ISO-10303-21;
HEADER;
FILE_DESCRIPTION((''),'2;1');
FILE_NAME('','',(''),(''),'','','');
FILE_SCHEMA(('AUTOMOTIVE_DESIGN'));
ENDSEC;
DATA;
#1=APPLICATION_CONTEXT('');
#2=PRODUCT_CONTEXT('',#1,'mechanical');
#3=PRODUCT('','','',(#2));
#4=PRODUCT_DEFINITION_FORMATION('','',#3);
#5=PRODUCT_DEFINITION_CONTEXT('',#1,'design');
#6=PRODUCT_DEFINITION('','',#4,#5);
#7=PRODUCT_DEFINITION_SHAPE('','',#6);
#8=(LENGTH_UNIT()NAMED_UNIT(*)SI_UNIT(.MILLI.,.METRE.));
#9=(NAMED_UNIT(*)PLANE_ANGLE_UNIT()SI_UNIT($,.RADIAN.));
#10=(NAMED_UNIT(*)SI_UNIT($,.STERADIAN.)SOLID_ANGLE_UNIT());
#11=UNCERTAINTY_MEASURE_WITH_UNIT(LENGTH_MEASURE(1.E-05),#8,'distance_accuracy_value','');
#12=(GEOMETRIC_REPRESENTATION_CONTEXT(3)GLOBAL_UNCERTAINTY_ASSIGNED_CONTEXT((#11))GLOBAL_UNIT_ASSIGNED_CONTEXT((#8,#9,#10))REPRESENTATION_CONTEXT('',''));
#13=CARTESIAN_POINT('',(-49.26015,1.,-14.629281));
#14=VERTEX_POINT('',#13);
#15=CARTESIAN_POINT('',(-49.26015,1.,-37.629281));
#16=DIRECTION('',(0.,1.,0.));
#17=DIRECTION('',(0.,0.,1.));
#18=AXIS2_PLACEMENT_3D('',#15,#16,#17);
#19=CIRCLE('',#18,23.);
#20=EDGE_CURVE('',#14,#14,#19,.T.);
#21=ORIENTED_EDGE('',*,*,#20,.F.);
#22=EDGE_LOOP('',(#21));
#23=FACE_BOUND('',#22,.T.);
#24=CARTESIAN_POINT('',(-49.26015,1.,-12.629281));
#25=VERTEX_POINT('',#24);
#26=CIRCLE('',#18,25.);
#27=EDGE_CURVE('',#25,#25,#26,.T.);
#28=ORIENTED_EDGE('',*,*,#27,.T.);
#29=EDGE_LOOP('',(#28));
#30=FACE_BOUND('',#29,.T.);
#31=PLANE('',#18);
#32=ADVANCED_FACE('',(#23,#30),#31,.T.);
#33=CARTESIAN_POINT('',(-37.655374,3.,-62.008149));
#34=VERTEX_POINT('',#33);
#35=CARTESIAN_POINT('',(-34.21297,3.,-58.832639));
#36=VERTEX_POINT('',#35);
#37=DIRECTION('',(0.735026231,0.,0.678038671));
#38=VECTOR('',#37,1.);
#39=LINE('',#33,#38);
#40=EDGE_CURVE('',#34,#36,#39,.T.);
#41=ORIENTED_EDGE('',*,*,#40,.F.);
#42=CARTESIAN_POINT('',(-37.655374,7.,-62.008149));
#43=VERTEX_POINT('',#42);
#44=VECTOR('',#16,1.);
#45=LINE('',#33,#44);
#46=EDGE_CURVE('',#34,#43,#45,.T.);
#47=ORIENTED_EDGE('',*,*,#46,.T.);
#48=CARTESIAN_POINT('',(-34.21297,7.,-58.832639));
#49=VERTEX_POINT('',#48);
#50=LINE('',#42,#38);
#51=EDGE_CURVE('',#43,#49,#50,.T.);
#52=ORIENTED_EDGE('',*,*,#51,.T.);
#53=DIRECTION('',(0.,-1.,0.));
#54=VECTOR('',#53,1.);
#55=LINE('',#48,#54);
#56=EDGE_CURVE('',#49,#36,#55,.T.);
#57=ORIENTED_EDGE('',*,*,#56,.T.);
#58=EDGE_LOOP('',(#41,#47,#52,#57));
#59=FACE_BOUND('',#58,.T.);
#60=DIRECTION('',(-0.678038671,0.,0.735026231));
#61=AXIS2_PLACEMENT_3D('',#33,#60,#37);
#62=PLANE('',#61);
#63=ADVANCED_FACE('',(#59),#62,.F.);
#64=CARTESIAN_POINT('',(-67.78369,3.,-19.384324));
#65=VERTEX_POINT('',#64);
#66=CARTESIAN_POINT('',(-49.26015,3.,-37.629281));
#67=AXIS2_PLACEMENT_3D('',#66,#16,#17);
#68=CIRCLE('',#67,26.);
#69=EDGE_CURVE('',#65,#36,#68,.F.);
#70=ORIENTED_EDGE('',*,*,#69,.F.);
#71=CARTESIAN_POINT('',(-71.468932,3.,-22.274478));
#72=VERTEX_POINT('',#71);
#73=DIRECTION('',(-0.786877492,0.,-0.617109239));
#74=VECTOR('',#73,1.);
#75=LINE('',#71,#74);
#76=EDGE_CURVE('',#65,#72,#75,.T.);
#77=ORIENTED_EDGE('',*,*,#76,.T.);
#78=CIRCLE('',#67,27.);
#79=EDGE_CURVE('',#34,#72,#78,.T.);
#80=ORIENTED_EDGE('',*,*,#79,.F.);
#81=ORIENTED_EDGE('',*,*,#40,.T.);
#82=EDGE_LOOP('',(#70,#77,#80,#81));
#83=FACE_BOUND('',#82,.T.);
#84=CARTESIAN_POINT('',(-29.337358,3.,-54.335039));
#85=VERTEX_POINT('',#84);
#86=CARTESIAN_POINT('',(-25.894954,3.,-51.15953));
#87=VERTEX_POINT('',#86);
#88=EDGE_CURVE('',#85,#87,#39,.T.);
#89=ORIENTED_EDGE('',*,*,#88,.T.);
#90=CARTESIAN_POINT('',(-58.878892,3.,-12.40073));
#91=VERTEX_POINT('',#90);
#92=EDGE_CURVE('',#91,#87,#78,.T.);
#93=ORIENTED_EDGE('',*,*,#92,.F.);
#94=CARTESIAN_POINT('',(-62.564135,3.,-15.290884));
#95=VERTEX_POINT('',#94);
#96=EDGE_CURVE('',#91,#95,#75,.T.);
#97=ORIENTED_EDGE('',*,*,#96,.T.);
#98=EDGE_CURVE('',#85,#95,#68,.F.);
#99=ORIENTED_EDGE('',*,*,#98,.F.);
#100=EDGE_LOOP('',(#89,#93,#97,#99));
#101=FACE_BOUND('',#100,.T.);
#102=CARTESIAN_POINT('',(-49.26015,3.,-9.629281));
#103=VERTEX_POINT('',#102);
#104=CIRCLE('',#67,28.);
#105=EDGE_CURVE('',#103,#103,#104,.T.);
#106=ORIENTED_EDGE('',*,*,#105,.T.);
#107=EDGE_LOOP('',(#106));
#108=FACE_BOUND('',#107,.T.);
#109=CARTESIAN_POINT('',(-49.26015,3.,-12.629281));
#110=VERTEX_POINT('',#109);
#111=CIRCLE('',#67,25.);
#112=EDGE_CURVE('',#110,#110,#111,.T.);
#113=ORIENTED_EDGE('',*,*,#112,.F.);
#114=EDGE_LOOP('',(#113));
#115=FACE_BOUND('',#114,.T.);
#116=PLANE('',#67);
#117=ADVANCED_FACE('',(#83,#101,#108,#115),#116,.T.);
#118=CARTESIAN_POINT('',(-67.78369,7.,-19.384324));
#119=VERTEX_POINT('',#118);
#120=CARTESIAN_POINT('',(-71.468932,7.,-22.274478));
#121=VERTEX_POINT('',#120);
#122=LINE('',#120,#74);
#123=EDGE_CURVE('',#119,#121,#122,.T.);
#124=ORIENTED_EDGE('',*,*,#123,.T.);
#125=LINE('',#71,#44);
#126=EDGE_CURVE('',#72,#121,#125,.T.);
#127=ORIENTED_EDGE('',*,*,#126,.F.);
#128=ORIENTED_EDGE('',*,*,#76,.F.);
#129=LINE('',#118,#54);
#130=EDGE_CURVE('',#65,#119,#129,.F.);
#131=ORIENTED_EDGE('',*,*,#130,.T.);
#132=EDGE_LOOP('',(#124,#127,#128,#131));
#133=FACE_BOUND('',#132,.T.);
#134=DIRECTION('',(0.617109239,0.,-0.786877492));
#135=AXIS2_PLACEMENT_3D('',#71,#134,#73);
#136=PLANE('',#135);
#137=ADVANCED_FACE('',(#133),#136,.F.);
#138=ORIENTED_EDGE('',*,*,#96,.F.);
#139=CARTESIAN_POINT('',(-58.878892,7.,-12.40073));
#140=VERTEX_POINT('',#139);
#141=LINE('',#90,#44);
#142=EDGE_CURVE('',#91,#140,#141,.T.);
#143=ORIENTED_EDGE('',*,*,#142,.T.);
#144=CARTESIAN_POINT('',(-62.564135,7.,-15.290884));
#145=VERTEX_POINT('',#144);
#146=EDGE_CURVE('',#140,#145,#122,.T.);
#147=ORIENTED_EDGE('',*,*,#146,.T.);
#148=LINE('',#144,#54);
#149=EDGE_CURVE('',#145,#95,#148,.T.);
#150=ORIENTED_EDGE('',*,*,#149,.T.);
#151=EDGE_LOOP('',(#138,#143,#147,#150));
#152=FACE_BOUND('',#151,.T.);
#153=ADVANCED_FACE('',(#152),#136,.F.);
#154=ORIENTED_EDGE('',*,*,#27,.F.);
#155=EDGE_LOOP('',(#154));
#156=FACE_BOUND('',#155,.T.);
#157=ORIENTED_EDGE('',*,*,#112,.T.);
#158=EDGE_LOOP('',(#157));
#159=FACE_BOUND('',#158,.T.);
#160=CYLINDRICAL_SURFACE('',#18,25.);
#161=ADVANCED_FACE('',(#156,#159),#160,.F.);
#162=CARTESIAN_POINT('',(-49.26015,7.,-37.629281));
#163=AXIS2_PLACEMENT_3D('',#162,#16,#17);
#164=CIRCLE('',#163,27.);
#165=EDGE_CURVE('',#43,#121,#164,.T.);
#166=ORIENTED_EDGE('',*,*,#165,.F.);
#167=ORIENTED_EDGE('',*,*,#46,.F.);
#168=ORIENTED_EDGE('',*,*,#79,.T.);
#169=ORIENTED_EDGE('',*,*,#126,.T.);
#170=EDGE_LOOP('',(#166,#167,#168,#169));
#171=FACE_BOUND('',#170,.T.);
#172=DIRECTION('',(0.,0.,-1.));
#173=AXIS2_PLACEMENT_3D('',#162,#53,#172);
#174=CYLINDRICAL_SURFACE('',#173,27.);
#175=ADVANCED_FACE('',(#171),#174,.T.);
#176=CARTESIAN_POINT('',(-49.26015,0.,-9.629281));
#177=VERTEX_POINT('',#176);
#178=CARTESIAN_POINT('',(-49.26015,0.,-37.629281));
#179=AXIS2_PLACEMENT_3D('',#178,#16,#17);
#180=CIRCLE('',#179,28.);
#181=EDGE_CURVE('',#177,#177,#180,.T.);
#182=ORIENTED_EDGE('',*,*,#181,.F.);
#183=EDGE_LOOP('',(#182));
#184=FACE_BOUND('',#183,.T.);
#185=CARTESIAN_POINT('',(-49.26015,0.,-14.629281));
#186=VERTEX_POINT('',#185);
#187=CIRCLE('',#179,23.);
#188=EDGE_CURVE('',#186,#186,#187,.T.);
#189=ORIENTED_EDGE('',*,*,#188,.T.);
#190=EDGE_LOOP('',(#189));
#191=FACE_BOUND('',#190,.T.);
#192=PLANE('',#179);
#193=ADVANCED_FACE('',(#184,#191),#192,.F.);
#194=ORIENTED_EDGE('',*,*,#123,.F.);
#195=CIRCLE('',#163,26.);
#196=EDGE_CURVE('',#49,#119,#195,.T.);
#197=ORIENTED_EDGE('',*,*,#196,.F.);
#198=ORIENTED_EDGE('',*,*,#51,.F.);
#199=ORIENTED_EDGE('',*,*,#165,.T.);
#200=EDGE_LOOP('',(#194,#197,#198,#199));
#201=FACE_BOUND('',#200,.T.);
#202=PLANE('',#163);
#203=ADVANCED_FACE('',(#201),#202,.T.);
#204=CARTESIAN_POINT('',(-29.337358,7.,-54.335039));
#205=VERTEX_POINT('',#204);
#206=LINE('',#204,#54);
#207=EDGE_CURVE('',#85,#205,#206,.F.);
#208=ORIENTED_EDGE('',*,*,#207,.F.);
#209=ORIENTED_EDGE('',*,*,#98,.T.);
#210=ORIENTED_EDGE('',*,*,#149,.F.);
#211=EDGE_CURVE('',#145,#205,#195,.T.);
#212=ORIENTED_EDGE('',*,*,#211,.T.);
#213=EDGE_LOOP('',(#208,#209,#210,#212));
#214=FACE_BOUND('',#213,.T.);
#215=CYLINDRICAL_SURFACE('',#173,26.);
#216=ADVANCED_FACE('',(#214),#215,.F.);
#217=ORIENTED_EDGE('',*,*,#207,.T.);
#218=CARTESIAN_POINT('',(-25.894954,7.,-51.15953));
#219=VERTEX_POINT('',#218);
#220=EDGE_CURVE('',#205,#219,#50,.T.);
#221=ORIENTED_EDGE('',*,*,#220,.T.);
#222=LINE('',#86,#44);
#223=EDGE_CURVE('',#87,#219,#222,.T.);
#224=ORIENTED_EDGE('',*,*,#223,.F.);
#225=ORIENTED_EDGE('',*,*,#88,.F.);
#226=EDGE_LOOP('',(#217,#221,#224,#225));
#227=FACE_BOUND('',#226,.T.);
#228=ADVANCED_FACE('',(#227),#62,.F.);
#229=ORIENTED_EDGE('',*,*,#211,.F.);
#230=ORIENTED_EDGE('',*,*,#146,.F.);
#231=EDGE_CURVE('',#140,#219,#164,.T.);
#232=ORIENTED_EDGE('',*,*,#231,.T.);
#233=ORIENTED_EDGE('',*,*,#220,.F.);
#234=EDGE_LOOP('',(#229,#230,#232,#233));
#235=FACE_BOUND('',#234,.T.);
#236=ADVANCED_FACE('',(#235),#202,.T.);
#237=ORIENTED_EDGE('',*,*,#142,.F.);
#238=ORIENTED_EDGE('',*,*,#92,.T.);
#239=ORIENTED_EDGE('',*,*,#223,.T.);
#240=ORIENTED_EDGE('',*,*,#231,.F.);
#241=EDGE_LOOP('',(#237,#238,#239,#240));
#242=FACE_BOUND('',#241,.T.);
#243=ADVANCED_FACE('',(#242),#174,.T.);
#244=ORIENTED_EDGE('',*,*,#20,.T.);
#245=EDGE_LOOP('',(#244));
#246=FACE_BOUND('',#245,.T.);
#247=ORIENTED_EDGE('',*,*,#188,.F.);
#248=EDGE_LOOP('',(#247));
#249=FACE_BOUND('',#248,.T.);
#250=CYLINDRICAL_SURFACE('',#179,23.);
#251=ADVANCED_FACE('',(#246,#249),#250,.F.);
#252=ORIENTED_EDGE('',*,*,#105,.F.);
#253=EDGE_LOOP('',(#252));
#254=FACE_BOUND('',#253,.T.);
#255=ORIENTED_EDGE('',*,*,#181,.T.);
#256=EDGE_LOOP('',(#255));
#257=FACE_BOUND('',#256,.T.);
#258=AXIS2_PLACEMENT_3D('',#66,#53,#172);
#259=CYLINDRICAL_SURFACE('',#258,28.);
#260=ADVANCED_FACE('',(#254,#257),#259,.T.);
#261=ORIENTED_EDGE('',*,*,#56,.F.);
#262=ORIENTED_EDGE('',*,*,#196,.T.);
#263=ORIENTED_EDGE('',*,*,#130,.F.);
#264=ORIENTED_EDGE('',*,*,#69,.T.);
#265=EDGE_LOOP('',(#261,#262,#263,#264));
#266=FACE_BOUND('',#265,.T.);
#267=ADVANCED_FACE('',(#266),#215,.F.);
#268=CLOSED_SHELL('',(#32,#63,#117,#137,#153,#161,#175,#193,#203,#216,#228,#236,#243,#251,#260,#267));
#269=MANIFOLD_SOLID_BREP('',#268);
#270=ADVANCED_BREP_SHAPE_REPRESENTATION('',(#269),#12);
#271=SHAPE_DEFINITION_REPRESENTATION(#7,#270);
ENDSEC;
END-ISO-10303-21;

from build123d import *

# Parameters (mm, degrees)
ESQUISSE6_R             = 28
BOSS_EXTRU_3_DEPTH      = 3
ESQUISSE7_R             = 27
ESQUISSE7_R_2           = 26
BOSS_EXTRU_4_DEPTH      = 4
ESQUISSE8_R             = 25
ENL_V_MAT_EXTRU_2_DEPTH = 2
ESQUISSE9_R             = 23
ENL_V_MAT_EXTRU_3_DEPTH = 102.549659352
ENL_V_MAT_EXTRU_4_DEPTH = 4


with BuildPart() as part:
    # Esquisse6 → Boss.-Extru.3 (new body)
    with BuildSketch(Plane(origin=(0, 0, 0), x_dir=(1, 0, 0), z_dir=(0, 1, 0))):
        with Locations(Location((-49.260149918, 37.629281188, 0), (0, 0, 270))):
            Circle(ESQUISSE6_R)
    extrude(amount=BOSS_EXTRU_3_DEPTH)

    # Esquisse7 → Boss.-Extru.4 (add)
    with BuildSketch(Plane(origin=(0, 3, 0), x_dir=(1, 0, 0), z_dir=(0, 1, 0))):
        with Locations(Location((-49.260149918, 37.629281188, 0), (0, 0, 270))):
            Circle(ESQUISSE7_R)
        with Locations(Location((-49.260149918, 37.629281188, 0), (0, 0, 270))):
            Circle(ESQUISSE7_R_2, mode=Mode.SUBTRACT)
    extrude(amount=BOSS_EXTRU_4_DEPTH)

    # Esquisse8 → Enlèv. mat.-Extru.2 (cut)
    with BuildSketch(Plane(origin=(0, 3, 0), x_dir=(1, 0, 0), z_dir=(0, 1, 0))):
        with Locations(Location((-49.260149918, 37.629281188, 0), (0, 0, 270))):
            Circle(ESQUISSE8_R)
    extrude(amount=-ENL_V_MAT_EXTRU_2_DEPTH, mode=Mode.SUBTRACT)

    # Esquisse9 → Enlèv. mat.-Extru.3 (cut, through all)
    with BuildSketch(Plane(origin=(0, 1, 0), x_dir=(1, 0, 0), z_dir=(0, 1, 0))):
        with Locations(Location((-49.260149918, 37.629281188, 0), (0, 0, 270))):
            Circle(ESQUISSE9_R)
    extrude(amount=-ENL_V_MAT_EXTRU_3_DEPTH, mode=Mode.SUBTRACT)

    # Esquisse10 → Enlèv. mat.-Extru.4 (cut)
    with BuildSketch(Plane(origin=(0, 7, 0), x_dir=(1, 0, 0), z_dir=(0, 1, 0))):
        Polygon((-71.468932312, 22.27447788), (-58.878892443, 12.400730055), (-61.579583758, 8.957071992), (-74.169623626, 18.830819817), align=None)
        Polygon((-22.927613797, 54.376268132), (-25.894954155, 51.159529779), (-37.65537385, 62.00814852), (-34.688033492, 65.224886873), align=None)
    extrude(amount=-ENL_V_MAT_EXTRU_4_DEPTH, mode=Mode.SUBTRACT)


solid = part.part
